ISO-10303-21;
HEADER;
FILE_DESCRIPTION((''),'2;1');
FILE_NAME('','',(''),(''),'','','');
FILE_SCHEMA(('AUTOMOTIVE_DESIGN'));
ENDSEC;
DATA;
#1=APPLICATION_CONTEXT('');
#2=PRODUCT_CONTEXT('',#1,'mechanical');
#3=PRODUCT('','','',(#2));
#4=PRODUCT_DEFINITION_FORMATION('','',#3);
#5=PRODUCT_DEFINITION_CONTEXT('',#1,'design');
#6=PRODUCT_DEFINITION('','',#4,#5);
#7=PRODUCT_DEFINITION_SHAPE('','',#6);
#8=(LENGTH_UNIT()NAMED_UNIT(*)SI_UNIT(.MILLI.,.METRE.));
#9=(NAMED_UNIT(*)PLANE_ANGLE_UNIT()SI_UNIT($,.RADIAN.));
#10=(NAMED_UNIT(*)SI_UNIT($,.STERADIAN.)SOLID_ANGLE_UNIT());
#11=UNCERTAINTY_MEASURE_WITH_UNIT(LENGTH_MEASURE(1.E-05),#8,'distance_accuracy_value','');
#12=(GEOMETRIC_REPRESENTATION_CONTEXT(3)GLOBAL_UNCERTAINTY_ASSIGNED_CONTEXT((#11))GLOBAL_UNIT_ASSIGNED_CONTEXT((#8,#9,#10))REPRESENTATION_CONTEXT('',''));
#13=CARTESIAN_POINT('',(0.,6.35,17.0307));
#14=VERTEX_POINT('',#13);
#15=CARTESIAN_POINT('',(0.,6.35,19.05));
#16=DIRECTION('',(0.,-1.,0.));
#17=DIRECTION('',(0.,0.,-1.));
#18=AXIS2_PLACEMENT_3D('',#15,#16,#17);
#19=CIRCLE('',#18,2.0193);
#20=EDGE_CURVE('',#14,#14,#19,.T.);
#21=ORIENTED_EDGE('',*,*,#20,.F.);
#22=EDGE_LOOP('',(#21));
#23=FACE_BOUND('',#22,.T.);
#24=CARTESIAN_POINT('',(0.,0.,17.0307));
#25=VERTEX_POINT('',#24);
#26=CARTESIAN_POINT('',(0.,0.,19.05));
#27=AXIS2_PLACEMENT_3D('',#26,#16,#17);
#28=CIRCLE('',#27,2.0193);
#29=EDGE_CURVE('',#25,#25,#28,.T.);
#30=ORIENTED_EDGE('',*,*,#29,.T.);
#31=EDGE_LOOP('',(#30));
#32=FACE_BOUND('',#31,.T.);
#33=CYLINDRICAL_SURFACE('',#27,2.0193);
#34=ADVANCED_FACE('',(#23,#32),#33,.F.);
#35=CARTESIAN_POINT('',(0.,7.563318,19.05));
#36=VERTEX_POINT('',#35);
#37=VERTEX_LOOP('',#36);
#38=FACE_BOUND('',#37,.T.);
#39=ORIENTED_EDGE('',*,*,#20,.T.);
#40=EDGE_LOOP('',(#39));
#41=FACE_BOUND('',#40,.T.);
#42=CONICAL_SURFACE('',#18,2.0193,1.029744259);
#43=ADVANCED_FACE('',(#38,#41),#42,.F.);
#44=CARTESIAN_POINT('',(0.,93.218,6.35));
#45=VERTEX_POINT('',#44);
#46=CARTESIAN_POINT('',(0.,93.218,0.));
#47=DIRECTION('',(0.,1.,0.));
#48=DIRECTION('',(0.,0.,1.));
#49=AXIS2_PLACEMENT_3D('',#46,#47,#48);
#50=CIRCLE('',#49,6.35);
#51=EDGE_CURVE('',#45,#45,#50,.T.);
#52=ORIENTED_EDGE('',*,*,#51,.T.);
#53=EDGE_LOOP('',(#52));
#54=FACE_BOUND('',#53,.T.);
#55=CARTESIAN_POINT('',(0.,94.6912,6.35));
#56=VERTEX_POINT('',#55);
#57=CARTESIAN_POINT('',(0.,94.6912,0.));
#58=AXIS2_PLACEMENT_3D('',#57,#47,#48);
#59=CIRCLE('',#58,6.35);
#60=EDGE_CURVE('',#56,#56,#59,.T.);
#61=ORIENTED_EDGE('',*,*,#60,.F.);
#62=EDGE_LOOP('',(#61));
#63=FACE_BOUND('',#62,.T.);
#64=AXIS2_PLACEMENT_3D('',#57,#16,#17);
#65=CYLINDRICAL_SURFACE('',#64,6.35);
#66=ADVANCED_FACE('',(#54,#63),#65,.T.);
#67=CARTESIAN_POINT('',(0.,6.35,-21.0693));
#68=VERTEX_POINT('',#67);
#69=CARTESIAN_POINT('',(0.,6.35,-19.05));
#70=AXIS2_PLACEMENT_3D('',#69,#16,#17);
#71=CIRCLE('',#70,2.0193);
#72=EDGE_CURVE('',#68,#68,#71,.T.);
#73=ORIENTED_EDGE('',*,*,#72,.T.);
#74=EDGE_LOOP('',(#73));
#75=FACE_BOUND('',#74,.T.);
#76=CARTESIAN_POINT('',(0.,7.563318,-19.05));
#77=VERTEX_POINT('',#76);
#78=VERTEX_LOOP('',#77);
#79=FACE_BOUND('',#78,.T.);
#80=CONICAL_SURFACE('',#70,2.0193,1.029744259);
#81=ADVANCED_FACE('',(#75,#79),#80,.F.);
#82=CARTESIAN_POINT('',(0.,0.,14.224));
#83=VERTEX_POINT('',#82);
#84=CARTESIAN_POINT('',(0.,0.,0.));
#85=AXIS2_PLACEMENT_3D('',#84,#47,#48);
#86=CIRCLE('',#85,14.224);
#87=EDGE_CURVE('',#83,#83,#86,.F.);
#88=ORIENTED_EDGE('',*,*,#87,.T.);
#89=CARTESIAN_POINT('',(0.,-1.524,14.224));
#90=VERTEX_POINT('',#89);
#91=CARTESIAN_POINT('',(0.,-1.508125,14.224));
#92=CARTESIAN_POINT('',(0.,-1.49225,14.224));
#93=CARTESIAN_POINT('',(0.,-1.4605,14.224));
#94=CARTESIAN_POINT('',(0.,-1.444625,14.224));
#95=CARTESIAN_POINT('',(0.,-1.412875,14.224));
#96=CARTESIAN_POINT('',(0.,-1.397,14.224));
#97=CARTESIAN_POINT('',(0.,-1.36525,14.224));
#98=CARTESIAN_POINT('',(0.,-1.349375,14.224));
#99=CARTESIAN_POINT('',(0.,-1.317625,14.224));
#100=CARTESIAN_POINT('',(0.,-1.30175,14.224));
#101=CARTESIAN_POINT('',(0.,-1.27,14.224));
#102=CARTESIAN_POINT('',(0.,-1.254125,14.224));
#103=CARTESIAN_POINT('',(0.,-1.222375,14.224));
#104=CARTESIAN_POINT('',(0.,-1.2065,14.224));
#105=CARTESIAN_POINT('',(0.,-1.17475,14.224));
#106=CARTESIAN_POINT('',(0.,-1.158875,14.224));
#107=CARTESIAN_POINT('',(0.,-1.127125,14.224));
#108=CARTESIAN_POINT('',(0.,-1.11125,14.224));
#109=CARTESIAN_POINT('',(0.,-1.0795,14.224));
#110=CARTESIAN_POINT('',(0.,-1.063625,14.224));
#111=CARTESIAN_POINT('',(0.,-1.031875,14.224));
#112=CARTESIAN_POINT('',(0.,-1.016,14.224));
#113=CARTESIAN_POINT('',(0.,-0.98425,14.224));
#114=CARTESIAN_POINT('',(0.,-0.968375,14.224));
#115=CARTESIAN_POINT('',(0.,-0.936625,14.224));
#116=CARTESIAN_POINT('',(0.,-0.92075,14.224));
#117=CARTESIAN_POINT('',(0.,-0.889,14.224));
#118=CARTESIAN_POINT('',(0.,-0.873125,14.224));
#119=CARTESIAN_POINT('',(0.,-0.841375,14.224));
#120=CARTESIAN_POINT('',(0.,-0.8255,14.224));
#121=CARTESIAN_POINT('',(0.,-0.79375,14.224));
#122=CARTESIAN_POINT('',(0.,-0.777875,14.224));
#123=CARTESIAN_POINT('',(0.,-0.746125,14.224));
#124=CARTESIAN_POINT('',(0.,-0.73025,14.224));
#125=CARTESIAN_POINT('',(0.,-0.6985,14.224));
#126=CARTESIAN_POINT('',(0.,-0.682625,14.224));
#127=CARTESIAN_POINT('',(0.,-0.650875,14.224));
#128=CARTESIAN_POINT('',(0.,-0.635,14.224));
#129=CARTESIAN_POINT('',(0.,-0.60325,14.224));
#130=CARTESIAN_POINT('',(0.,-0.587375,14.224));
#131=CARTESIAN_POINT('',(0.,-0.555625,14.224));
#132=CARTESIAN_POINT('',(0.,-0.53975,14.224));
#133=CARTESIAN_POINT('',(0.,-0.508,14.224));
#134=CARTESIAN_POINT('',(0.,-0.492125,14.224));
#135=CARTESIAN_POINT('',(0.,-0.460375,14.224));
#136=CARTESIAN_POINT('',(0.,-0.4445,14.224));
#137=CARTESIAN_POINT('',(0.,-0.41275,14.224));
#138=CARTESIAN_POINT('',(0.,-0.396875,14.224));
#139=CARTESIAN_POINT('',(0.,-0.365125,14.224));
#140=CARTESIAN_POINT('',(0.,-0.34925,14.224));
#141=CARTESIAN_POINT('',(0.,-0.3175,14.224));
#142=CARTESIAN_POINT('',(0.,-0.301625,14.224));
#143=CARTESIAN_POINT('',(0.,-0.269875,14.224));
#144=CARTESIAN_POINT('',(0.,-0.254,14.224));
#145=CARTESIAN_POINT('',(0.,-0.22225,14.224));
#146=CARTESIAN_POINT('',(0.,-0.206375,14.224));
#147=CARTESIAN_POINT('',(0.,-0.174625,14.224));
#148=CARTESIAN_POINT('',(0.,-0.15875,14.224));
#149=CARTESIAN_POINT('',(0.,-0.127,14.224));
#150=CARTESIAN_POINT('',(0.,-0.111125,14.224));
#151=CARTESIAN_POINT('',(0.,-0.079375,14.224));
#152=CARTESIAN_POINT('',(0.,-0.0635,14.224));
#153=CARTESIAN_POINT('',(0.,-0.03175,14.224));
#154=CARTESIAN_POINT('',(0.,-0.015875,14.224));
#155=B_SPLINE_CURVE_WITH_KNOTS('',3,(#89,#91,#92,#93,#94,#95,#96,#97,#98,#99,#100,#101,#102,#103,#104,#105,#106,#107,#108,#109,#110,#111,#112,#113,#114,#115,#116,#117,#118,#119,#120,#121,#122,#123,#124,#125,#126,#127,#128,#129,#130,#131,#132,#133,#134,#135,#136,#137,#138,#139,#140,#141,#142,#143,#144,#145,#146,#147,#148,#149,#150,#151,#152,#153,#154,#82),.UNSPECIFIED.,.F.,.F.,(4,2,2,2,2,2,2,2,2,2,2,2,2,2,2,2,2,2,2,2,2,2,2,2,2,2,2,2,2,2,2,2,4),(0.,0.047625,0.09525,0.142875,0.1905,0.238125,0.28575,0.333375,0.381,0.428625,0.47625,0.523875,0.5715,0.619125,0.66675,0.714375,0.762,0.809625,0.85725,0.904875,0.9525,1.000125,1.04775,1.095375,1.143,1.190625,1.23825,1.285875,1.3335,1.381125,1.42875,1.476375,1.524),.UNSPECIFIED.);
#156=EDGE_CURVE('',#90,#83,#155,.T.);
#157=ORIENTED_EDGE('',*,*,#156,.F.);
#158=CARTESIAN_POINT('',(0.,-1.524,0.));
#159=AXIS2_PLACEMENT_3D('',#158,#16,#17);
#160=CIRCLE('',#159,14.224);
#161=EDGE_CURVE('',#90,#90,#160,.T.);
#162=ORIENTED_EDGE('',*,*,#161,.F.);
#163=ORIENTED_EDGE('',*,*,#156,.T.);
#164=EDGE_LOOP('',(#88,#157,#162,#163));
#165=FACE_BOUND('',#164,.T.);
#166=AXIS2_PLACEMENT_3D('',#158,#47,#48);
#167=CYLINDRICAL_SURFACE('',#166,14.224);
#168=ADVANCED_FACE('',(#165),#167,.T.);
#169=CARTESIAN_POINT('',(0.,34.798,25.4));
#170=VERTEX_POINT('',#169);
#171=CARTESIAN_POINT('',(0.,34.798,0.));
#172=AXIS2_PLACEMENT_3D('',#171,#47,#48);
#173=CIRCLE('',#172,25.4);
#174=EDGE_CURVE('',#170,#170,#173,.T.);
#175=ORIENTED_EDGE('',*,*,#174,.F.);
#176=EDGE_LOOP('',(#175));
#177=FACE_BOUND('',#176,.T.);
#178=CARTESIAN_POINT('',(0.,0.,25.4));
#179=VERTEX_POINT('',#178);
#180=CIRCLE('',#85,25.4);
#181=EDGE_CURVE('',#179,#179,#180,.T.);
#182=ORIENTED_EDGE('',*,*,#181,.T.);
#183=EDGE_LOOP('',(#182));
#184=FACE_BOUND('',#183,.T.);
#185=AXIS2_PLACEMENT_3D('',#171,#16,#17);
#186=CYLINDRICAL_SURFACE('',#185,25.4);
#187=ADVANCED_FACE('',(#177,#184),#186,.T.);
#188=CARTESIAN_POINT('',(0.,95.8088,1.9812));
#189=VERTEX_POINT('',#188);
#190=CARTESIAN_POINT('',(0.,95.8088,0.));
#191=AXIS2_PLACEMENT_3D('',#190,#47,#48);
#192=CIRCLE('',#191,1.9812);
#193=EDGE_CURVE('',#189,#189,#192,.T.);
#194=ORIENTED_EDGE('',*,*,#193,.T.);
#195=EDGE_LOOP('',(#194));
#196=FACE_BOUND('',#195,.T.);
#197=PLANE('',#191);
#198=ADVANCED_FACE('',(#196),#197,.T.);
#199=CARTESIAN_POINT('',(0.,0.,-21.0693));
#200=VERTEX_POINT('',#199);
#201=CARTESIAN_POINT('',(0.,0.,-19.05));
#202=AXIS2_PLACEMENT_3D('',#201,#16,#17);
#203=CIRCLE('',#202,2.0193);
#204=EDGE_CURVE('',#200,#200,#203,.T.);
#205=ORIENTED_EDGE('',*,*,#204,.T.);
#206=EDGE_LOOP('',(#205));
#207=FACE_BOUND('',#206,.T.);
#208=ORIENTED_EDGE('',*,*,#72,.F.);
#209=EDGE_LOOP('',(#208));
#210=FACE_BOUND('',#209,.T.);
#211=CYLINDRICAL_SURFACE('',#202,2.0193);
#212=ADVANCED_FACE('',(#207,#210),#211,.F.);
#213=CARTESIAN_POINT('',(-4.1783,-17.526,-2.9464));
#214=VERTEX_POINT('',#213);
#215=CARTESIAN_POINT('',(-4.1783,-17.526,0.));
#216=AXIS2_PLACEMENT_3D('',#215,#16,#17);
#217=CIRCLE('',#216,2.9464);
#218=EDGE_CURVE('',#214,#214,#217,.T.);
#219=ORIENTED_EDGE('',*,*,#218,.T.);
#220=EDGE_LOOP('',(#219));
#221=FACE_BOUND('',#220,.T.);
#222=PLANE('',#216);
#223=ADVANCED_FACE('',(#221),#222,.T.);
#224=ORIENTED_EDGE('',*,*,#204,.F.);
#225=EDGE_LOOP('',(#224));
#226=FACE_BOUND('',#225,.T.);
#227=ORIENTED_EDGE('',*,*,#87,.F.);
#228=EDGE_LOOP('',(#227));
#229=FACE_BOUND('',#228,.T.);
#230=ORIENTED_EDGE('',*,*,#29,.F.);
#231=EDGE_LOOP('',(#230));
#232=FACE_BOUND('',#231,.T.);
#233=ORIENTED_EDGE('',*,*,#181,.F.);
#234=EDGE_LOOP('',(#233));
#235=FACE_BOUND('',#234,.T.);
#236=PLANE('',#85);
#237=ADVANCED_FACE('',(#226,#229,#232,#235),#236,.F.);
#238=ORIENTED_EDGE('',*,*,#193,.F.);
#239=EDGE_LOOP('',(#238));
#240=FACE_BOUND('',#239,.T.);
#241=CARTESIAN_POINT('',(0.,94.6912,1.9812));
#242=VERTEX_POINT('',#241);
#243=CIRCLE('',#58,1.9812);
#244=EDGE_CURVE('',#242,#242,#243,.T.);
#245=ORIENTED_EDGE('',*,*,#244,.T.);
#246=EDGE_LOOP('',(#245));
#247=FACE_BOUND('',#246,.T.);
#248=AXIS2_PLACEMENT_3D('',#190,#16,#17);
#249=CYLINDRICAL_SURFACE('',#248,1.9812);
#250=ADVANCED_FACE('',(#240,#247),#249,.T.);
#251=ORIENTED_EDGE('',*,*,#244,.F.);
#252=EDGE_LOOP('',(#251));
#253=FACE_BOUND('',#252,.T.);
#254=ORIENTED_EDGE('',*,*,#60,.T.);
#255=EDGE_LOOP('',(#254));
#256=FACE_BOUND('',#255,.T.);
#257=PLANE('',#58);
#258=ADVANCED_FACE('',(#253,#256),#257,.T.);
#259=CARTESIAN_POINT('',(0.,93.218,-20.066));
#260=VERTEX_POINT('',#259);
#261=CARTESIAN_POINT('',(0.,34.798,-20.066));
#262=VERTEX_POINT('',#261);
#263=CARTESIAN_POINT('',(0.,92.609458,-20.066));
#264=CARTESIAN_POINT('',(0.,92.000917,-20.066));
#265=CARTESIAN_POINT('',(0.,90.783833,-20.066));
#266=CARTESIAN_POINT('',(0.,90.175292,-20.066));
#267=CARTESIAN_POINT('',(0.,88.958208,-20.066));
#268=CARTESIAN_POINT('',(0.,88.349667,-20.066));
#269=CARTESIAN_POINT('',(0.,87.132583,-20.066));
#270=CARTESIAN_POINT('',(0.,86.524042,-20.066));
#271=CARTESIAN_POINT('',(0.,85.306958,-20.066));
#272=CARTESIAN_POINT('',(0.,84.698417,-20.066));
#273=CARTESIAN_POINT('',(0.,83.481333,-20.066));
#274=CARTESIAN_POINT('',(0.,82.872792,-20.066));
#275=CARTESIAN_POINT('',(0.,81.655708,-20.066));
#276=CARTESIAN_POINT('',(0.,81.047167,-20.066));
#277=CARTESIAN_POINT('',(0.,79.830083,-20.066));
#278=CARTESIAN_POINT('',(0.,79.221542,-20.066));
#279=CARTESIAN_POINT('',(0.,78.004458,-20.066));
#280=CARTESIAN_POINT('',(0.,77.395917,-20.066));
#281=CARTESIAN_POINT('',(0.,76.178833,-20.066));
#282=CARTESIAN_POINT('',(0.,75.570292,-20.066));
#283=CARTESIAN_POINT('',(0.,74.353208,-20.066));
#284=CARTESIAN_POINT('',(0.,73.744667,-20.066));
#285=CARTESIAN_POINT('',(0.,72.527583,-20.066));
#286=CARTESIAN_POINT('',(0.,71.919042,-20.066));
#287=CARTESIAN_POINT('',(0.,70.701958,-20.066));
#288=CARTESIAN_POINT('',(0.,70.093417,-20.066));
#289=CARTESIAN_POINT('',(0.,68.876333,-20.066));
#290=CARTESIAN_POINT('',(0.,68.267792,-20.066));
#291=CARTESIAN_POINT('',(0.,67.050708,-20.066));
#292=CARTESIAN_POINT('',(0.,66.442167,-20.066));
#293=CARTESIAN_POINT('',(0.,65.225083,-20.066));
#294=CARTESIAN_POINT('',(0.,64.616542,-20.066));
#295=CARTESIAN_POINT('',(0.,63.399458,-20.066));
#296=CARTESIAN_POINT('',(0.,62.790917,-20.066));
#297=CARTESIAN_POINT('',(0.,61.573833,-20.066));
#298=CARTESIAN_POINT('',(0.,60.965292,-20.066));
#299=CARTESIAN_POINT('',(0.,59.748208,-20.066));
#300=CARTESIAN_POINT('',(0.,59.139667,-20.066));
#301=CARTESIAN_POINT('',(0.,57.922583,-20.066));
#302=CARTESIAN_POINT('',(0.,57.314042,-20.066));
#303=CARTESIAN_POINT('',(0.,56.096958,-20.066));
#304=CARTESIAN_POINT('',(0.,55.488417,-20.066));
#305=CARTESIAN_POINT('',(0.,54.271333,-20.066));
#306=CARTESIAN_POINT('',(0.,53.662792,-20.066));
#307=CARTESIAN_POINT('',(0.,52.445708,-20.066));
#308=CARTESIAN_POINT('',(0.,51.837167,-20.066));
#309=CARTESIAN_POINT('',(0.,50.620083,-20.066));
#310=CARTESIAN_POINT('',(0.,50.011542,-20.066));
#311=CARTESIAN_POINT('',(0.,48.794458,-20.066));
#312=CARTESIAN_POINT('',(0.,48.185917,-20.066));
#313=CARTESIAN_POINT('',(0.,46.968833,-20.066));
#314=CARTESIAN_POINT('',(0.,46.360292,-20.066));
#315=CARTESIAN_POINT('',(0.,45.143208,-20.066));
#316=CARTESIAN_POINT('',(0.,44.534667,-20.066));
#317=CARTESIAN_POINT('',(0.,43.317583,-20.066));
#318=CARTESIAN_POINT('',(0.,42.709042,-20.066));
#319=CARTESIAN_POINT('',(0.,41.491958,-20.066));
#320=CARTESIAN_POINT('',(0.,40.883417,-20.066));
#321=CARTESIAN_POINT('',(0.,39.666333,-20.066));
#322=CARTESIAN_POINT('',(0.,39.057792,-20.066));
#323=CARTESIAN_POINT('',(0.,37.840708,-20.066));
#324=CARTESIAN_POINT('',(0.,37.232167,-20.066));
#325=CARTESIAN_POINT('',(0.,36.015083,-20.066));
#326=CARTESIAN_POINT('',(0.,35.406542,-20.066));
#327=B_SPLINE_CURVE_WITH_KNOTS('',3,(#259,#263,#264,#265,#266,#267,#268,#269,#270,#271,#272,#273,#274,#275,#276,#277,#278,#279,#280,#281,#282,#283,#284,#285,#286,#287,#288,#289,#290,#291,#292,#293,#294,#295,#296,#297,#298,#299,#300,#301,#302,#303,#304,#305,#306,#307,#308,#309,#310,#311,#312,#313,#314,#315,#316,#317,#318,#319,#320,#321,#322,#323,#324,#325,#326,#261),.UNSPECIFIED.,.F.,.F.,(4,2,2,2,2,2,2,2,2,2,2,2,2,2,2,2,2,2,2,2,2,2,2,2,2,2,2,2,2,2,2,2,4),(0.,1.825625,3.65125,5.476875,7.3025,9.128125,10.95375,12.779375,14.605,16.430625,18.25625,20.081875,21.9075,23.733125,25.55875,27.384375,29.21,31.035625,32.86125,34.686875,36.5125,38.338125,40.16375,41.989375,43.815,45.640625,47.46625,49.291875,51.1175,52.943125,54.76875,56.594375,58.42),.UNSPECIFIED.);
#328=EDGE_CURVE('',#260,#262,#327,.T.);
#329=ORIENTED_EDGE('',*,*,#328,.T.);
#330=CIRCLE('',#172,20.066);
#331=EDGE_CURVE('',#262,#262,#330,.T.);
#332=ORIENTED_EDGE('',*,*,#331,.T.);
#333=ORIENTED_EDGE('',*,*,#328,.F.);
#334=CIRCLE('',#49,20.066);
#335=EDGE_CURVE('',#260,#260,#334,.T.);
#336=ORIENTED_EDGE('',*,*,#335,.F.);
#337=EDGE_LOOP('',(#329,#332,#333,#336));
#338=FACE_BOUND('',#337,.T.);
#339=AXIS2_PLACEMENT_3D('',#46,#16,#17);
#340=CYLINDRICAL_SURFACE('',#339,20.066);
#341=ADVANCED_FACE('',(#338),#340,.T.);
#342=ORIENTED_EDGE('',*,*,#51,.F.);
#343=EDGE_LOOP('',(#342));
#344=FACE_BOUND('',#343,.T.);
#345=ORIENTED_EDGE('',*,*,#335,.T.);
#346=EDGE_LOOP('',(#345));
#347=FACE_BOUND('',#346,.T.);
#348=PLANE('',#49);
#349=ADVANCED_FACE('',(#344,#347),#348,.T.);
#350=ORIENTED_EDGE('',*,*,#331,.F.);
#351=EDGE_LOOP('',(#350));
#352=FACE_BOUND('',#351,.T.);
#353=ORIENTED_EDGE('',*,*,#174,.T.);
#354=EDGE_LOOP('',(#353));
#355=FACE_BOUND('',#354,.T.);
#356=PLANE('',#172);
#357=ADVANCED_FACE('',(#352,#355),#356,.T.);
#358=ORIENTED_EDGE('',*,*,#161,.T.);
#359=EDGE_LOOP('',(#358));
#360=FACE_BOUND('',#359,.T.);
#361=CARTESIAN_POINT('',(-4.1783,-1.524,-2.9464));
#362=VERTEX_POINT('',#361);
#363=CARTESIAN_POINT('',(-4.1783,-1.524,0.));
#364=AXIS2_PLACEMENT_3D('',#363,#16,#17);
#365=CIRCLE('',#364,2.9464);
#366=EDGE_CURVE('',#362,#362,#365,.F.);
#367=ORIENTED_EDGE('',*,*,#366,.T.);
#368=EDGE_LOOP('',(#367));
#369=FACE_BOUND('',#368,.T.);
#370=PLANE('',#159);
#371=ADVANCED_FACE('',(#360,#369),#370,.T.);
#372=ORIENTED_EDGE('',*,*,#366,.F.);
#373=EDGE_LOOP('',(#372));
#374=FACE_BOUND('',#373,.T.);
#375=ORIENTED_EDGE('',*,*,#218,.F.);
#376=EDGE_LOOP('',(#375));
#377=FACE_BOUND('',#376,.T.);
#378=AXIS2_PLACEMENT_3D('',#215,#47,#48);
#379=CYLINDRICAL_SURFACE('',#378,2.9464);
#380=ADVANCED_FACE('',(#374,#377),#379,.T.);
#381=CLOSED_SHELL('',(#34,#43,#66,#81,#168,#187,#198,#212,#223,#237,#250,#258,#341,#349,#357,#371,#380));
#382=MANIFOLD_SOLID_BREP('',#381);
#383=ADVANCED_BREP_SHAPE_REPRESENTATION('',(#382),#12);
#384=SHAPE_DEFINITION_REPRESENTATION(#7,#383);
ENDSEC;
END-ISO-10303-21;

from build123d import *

# Parameters (mm, degrees)
SKETCH1_R                  = 25.4
BOSS_EXTRUDE1_DEPTH        = 34.798
SKETCH2_R                  = 20.066
BOSS_EXTRUDE2_DEPTH        = 58.42
SKETCH3_R                  = 14.224
BOSS_EXTRUDE3_DEPTH        = 1.524
SKETCH4_R                  = 6.35
BOSS_EXTRUDE4_DEPTH        = 1.4732
SKETCH5_R                  = 1.9812
BOSS_EXTRUDE5_DEPTH        = 1.1176
SKETCH6_R                  = 2.9464
BOSS_EXTRUDE6_DEPTH        = 17.526
F_10_32_TAPPED_HOLE1_D     = 4.0386
F_10_32_TAPPED_HOLE1_DEPTH = 6.35
F_10_32_TAPPED_HOLE1_TIP   = 1.213317848


with BuildPart() as part:
    # Sketch1 → Boss-Extrude1 (new body)
    with BuildSketch(Plane(origin=(0, 0, 0), x_dir=(1, 0, 0), z_dir=(0, 1, 0))):
        with Locations(Location((0, 0, 0), (0, 0, 270))):
            Circle(SKETCH1_R)
    extrude(amount=BOSS_EXTRUDE1_DEPTH)

    # Sketch2 → Boss-Extrude2 (add)
    with BuildSketch(Plane(origin=(0, 34.798, 0), x_dir=(-1, 0, 0), z_dir=(0, 1, 0))):
        with Locations(Location((0, 0, 0), (0, 0, 270))):
            Circle(SKETCH2_R)
    extrude(amount=BOSS_EXTRUDE2_DEPTH)

    # Sketch3 → Boss-Extrude3 (add)
    with BuildSketch(Plane.XZ):
        with Locations(Location((0, 0, 0), (0, 0, 90))):
            Circle(SKETCH3_R)
    extrude(amount=BOSS_EXTRUDE3_DEPTH)

    # Sketch4 → Boss-Extrude4 (add)
    with BuildSketch(Plane(origin=(0, 93.218, 0), x_dir=(-1, 0, 0), z_dir=(0, 1, 0))):
        with Locations(Location((0, 0, 0), (0, 0, 90))):
            Circle(SKETCH4_R)
    extrude(amount=BOSS_EXTRUDE4_DEPTH)

    # Sketch5 → Boss-Extrude5 (add)
    with BuildSketch(Plane(origin=(0, 94.6912, 0), x_dir=(1, 0, 0), z_dir=(0, 1, 0))):
        with Locations(Location((0, 0, 0), (0, 0, 270))):
            Circle(SKETCH5_R)
    extrude(amount=BOSS_EXTRUDE5_DEPTH)

    # Sketch6 → Boss-Extrude6 (add)
    with BuildSketch(Plane.XZ):
        with Locations(Location((-4.1783, 0, 0), (0, 0, 270))):
            Circle(SKETCH6_R)
    extrude(amount=BOSS_EXTRUDE6_DEPTH)

    # #10-32 Tapped Hole1
    with Locations(Plane.XZ):
        with Locations((0, 19.05), (0, -19.05)):
            Hole(F_10_32_TAPPED_HOLE1_D / 2, depth=F_10_32_TAPPED_HOLE1_DEPTH)
            with Locations((0, 0, -(F_10_32_TAPPED_HOLE1_DEPTH + F_10_32_TAPPED_HOLE1_TIP / 2))):  # 118° drill point
                Cone(0, F_10_32_TAPPED_HOLE1_D / 2, F_10_32_TAPPED_HOLE1_TIP, mode=Mode.SUBTRACT)


solid = part.part
